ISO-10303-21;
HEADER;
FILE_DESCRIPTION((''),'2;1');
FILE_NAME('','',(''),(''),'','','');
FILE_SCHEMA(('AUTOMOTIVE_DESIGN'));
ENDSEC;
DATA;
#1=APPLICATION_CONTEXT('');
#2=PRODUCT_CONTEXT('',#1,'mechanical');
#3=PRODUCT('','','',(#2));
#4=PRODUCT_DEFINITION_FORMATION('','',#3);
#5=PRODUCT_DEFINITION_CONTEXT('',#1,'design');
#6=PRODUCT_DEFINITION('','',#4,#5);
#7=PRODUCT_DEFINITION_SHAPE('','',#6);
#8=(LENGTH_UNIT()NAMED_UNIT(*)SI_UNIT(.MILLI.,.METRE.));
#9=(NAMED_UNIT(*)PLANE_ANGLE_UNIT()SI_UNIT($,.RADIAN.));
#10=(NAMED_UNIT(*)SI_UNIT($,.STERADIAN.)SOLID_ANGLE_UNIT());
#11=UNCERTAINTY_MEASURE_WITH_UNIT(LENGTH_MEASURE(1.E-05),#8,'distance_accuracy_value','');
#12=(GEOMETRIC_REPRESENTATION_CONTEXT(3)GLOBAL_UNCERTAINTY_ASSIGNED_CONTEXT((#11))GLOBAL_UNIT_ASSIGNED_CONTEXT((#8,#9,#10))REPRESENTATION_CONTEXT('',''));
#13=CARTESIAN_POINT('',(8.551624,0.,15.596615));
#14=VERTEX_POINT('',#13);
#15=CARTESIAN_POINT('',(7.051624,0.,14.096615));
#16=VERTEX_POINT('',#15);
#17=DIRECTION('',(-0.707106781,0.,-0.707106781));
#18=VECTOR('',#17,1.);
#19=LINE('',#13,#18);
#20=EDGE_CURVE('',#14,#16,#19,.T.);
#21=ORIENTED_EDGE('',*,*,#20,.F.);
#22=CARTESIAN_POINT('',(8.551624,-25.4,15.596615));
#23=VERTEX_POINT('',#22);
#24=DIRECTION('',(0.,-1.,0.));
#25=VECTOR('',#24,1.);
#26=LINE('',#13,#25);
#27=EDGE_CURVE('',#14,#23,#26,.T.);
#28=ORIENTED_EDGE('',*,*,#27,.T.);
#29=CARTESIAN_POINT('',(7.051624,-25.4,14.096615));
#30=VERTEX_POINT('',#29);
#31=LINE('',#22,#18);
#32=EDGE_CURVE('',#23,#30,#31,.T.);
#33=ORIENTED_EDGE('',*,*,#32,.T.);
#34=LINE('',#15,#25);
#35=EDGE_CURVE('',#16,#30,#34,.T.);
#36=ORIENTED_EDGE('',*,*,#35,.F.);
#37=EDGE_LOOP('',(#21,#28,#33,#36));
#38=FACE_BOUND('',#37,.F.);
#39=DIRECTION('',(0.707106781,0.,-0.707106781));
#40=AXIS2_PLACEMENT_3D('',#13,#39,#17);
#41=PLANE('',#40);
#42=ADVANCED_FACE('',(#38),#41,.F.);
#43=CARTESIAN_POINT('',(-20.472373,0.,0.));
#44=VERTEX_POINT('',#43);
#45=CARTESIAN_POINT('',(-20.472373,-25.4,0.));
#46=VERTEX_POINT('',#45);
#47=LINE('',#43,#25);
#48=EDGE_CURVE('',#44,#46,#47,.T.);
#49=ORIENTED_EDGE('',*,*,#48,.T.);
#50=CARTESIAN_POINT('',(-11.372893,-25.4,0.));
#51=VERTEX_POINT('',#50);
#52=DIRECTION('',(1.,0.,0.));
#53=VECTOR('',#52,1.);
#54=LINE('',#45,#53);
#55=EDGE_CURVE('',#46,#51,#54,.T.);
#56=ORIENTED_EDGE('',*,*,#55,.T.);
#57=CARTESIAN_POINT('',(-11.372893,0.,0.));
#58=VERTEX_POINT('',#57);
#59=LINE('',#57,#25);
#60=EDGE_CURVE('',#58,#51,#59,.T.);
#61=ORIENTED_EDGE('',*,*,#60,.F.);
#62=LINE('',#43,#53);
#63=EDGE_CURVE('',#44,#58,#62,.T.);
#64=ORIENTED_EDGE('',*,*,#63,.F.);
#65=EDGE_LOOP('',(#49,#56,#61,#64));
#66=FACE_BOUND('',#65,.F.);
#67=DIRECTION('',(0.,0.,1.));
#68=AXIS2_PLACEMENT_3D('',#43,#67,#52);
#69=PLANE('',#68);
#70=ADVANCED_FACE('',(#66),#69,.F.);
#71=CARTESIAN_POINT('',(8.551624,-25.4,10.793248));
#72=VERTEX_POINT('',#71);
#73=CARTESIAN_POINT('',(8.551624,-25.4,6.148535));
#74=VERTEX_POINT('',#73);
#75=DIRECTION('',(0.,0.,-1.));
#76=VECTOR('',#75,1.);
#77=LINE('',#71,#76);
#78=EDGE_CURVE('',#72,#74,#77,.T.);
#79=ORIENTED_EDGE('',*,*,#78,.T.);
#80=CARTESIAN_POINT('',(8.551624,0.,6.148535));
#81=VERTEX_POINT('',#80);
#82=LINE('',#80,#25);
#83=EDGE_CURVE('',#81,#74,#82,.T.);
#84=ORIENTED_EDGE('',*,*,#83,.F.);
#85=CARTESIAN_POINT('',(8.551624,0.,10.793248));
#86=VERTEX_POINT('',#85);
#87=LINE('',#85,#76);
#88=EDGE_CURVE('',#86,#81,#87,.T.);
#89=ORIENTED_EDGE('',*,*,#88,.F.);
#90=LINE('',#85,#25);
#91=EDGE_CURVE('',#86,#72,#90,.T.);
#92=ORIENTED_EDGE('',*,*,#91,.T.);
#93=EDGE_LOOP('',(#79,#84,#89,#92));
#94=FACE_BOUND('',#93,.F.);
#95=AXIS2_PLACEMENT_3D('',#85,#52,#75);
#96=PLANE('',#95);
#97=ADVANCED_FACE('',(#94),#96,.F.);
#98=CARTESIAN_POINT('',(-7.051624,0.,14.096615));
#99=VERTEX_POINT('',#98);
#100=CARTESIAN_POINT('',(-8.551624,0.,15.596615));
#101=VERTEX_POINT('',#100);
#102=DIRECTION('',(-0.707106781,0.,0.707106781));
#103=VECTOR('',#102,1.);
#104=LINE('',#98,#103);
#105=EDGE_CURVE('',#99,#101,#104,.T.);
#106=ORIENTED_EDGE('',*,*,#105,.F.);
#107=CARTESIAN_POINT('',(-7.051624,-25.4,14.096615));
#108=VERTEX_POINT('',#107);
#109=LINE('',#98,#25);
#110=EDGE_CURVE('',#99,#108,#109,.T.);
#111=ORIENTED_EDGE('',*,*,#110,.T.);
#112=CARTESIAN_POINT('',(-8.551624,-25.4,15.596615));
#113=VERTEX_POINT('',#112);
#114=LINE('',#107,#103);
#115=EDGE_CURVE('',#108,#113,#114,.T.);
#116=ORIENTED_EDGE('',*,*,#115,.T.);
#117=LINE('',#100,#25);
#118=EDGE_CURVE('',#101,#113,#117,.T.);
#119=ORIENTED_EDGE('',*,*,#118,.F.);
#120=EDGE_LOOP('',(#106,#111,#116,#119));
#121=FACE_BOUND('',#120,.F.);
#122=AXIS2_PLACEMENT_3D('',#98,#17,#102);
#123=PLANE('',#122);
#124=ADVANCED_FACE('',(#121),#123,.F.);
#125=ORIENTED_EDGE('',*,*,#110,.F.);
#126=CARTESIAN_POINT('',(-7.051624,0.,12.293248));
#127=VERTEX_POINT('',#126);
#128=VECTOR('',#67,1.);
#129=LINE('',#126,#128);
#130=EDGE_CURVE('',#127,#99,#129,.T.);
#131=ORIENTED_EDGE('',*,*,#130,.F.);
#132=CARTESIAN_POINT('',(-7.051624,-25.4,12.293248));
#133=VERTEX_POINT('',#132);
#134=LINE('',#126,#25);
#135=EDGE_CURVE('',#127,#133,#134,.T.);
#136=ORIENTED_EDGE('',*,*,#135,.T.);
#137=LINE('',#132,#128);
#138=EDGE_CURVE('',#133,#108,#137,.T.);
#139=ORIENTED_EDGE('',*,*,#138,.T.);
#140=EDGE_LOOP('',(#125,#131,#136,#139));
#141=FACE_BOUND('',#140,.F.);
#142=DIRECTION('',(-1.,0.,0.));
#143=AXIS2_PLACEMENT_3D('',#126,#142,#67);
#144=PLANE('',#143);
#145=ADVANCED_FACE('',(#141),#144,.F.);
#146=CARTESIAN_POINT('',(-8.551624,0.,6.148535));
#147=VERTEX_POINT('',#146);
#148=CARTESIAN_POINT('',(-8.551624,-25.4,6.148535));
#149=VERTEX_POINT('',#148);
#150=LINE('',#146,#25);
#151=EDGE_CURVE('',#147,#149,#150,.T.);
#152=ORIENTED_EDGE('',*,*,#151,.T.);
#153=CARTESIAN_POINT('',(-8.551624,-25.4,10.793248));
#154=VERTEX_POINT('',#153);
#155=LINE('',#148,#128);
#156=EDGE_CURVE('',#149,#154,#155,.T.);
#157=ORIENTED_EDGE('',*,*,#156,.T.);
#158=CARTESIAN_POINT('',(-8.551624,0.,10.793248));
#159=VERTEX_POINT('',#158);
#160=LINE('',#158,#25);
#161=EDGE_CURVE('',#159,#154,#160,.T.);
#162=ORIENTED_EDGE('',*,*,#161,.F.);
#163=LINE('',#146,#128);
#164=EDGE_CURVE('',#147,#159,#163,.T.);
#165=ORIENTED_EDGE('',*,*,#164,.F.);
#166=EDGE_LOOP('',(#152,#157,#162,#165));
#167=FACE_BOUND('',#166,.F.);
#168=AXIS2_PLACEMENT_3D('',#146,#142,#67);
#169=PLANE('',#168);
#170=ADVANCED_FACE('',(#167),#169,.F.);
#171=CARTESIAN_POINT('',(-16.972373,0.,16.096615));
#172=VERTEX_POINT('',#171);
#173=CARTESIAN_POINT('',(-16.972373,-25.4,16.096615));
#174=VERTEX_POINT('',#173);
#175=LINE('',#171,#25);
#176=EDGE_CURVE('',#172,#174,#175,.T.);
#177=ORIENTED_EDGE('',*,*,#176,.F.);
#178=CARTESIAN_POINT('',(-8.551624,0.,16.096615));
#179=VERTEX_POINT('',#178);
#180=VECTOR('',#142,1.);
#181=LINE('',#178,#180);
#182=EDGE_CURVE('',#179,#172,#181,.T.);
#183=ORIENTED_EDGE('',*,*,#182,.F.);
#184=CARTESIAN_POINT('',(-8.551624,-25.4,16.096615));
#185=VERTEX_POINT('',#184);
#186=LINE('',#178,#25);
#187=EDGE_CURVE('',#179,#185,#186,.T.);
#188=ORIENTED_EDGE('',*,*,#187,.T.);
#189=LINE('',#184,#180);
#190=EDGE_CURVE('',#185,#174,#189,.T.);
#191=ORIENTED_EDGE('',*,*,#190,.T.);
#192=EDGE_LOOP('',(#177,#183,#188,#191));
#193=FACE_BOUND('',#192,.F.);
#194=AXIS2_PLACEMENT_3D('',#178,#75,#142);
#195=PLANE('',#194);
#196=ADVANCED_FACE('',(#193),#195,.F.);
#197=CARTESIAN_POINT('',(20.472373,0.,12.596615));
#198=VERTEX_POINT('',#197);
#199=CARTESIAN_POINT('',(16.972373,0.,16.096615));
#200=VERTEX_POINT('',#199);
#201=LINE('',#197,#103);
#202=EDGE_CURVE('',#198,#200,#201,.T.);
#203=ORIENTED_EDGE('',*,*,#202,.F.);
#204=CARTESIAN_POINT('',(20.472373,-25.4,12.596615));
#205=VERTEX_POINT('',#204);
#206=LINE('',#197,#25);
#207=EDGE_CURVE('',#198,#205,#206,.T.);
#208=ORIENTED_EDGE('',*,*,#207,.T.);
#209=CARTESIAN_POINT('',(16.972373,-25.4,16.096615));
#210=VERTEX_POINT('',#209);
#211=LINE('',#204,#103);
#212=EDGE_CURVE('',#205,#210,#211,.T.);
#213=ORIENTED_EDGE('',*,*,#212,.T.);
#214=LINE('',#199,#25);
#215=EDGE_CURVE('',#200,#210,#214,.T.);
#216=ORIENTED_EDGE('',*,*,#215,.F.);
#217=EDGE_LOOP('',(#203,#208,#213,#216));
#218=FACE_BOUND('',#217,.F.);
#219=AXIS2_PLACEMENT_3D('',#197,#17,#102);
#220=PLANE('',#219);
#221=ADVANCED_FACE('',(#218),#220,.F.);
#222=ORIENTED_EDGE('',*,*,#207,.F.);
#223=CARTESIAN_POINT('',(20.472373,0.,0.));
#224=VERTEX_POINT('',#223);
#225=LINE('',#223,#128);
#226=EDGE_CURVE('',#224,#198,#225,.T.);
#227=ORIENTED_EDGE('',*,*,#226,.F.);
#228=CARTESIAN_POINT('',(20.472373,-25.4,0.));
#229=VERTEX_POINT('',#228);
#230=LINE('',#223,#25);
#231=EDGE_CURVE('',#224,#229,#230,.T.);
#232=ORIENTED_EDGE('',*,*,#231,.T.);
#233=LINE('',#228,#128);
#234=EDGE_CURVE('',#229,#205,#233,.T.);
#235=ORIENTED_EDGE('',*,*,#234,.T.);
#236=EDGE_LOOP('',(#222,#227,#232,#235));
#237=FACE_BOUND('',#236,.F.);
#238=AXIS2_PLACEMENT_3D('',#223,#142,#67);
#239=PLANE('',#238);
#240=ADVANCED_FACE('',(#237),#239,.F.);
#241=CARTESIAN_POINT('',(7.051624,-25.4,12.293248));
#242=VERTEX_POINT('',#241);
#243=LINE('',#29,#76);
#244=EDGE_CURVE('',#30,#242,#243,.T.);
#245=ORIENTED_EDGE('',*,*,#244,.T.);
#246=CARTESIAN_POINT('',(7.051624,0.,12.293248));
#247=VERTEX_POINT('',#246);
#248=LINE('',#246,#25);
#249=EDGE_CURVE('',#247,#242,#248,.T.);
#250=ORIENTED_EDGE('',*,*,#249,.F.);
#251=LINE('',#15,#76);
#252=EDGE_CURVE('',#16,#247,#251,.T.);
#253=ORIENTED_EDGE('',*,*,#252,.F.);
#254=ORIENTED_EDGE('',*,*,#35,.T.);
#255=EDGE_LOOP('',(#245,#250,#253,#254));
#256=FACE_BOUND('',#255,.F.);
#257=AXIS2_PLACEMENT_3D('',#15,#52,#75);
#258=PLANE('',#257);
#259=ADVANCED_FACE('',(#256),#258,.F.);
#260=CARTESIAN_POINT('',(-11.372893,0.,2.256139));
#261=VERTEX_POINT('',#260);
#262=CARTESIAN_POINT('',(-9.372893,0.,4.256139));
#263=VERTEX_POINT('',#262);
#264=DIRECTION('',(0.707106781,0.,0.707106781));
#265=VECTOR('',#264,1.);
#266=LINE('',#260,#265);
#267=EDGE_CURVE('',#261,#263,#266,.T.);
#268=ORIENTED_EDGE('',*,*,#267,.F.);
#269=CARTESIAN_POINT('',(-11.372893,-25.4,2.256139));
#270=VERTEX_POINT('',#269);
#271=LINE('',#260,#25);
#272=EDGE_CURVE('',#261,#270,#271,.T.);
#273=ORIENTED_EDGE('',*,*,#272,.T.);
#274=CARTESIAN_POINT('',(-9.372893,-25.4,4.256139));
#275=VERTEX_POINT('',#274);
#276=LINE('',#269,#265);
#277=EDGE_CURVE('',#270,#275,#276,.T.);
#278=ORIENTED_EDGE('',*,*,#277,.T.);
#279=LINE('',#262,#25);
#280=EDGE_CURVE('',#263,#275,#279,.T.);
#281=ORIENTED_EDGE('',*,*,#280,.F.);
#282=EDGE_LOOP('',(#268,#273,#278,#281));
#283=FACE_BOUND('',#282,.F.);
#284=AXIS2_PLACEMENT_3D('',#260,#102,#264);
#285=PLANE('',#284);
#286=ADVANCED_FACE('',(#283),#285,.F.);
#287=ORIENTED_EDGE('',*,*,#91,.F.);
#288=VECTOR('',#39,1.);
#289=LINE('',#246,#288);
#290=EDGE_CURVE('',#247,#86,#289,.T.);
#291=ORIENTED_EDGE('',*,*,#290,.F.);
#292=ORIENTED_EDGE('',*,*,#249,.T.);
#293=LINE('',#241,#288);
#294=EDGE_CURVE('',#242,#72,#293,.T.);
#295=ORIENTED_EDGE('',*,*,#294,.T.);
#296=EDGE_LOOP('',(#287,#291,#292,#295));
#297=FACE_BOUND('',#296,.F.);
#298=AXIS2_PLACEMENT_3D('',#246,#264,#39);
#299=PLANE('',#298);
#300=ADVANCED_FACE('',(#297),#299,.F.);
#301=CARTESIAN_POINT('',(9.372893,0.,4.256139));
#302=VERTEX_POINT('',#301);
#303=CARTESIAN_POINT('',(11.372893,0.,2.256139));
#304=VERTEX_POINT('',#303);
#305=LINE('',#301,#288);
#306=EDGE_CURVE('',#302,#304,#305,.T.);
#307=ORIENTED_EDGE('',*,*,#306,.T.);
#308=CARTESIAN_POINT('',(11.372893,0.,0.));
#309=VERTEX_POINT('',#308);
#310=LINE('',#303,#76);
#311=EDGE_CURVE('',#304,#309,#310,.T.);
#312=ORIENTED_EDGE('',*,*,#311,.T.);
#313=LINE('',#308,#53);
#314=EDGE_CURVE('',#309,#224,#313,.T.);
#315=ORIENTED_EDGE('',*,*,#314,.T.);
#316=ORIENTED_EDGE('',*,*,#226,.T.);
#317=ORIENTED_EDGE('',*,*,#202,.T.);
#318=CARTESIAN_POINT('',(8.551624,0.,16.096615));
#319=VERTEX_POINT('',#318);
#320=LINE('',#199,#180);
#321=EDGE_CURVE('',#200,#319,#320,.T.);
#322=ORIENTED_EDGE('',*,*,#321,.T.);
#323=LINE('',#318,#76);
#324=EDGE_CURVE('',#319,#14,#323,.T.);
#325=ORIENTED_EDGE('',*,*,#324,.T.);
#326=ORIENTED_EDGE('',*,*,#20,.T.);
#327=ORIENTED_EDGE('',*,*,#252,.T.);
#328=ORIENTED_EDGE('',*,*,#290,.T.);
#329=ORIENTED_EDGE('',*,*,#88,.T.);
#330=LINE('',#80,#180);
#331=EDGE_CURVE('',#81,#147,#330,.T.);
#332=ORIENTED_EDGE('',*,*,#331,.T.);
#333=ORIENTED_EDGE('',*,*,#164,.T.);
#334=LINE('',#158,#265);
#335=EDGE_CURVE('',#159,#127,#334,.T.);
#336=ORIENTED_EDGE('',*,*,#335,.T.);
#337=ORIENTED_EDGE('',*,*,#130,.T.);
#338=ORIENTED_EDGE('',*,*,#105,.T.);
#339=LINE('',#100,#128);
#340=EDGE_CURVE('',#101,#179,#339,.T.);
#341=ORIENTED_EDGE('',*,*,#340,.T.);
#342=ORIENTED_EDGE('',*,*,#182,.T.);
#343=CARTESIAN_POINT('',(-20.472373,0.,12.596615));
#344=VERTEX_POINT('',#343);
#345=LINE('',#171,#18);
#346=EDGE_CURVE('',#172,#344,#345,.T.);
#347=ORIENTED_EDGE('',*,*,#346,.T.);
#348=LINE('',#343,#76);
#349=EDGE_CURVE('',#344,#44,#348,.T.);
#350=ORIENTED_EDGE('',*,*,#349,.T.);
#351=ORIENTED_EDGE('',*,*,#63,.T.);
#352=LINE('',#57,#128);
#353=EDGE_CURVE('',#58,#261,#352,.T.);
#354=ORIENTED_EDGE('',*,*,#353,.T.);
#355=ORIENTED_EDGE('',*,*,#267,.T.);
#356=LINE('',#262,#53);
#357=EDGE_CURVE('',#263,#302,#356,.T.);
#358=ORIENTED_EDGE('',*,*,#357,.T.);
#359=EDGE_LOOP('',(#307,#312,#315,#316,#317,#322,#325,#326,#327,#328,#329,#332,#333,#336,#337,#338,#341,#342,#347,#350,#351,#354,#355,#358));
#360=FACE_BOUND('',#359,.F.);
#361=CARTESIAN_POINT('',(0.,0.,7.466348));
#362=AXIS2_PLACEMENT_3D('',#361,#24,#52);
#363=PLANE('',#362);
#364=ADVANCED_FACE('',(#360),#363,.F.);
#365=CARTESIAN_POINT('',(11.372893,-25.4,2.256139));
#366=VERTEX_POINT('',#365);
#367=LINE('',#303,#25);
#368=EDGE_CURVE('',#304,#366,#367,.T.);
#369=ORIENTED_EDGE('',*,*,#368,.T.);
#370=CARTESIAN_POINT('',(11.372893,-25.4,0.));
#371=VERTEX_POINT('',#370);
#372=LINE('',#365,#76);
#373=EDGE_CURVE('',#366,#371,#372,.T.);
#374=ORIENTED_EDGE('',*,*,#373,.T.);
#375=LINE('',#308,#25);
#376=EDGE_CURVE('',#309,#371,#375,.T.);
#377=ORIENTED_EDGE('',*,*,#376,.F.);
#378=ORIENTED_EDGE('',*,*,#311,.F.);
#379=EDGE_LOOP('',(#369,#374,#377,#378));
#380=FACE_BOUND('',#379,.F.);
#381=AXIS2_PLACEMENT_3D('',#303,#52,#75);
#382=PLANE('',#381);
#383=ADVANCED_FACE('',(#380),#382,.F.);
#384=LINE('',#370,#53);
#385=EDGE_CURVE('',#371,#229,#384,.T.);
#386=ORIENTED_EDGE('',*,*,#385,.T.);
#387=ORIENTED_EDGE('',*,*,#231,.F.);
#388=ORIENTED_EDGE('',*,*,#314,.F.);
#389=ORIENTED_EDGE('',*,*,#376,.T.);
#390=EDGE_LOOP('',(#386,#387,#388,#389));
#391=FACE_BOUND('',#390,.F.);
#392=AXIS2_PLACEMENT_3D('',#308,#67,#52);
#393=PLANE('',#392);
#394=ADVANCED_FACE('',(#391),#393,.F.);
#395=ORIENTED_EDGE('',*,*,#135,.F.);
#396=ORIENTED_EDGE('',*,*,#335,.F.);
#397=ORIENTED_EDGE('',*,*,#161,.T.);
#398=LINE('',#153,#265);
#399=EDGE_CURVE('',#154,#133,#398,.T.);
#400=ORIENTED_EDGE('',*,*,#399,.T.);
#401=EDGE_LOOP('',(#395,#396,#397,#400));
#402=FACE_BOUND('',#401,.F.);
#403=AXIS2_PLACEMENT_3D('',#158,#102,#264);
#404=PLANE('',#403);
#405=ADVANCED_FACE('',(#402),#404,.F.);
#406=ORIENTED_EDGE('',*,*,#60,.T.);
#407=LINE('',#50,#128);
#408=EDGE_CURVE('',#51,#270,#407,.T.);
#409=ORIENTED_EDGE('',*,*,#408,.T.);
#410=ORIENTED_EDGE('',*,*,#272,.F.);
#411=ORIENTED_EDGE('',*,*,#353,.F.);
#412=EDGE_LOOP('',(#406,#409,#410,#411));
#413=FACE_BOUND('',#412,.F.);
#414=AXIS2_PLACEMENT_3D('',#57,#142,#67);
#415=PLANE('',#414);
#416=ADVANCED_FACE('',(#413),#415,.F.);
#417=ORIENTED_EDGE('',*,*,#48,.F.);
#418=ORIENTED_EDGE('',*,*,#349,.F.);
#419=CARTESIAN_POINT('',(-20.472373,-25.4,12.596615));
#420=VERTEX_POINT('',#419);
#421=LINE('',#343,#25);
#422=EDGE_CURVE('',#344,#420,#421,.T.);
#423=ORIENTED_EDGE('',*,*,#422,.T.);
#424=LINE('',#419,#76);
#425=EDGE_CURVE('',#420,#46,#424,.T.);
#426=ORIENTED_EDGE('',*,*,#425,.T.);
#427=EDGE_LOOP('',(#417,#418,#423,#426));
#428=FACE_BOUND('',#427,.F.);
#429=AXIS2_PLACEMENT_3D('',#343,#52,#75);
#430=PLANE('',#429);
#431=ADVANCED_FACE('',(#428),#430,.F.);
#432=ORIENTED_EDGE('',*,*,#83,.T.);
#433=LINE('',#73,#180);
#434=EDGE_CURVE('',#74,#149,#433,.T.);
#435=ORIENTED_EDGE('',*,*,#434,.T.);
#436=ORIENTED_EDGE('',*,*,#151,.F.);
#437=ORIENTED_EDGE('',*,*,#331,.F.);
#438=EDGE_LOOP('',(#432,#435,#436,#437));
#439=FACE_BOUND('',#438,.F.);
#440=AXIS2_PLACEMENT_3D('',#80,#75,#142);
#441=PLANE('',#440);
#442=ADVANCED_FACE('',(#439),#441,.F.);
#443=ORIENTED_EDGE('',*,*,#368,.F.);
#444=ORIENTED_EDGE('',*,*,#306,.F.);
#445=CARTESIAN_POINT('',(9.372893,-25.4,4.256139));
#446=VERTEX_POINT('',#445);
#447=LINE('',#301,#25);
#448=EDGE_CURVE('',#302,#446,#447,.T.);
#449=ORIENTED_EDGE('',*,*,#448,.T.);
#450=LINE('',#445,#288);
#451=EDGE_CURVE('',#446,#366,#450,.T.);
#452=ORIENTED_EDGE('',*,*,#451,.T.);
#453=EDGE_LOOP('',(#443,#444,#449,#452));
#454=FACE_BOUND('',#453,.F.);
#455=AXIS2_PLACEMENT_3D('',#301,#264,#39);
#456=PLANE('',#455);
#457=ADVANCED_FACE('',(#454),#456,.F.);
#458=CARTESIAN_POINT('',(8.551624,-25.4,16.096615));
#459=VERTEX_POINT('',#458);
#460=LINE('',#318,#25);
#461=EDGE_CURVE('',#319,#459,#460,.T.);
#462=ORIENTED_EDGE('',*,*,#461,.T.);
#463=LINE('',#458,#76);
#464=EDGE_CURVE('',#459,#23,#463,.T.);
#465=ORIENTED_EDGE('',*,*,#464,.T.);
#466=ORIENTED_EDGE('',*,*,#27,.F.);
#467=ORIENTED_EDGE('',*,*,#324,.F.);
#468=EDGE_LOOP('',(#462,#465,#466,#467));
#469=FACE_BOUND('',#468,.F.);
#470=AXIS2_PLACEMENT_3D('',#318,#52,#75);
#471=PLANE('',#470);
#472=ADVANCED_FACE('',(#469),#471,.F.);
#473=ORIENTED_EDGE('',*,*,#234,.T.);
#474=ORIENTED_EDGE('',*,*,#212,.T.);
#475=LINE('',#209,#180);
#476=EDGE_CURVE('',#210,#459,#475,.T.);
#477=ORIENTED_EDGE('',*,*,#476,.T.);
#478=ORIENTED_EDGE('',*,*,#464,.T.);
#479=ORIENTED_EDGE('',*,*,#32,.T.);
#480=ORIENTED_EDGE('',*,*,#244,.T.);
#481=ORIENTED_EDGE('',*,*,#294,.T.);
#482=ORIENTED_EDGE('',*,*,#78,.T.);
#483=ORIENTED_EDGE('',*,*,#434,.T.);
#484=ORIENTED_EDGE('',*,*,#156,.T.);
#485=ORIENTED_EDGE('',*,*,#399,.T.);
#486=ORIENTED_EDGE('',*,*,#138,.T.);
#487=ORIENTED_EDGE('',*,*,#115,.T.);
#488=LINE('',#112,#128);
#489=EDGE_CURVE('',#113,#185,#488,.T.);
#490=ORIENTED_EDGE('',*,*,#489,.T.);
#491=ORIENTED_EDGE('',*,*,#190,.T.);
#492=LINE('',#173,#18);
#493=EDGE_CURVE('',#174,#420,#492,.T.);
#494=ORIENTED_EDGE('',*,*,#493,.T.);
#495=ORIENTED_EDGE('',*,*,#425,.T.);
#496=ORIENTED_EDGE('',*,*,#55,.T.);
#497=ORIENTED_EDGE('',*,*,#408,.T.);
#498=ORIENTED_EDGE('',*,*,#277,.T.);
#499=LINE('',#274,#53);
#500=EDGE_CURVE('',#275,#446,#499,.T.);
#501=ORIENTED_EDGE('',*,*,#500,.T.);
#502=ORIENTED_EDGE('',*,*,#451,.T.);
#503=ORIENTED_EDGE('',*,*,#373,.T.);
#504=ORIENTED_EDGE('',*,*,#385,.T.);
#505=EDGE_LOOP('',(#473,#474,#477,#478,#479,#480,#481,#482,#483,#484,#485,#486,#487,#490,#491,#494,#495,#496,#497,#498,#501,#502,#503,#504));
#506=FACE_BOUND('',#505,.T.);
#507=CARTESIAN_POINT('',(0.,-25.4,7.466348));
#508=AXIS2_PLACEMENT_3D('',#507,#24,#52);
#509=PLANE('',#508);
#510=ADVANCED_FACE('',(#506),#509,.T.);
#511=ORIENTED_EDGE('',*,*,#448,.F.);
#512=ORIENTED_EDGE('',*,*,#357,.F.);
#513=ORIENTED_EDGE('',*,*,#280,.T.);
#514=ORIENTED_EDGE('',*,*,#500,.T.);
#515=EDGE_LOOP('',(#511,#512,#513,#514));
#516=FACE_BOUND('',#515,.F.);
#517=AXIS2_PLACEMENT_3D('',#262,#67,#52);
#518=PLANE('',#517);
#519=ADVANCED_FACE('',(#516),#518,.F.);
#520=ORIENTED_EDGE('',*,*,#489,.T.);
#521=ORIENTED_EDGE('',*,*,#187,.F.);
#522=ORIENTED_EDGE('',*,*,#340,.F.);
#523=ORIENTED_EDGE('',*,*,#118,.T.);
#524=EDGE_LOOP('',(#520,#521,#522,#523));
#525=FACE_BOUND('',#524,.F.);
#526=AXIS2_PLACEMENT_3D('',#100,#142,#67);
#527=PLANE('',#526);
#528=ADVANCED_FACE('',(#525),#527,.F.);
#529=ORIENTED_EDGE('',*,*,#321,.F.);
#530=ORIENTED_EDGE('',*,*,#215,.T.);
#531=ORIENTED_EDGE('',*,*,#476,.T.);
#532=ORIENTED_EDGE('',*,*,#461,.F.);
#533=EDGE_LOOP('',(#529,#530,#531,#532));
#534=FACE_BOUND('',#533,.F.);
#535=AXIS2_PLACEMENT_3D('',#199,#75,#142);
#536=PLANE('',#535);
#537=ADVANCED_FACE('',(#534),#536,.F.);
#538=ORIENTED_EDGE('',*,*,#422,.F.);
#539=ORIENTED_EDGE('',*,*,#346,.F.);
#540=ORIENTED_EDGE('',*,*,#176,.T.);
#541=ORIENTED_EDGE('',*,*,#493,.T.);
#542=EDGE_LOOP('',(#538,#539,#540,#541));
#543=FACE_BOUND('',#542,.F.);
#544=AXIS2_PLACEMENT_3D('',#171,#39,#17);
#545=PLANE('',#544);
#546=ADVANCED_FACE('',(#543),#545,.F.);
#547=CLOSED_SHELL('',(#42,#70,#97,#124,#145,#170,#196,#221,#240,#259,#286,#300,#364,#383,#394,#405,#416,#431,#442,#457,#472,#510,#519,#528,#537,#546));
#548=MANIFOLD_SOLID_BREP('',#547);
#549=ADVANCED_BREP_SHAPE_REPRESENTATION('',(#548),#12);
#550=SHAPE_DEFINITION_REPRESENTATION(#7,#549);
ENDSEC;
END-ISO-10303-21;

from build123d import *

# Parameters (mm, degrees)
F1_DEPTH = 25.4


with BuildPart() as f1:
    # F0 (on Front) → F1 (new body)
    with BuildSketch(Plane.XZ):
        Polygon((11.372893, 2.256139), (11.372893, 0), (20.472373, 0), (20.472373, 12.596615), (16.972373, 16.096615), (8.551624, 16.096615), (8.551624, 15.596615), (7.051624, 14.096615), (7.051624, 12.293248), (8.551624, 10.793248), (8.551624, 6.148535), (-8.551624, 6.148535), (-8.551624, 10.793248), (-7.051624, 12.293248), (-7.051624, 14.096615), (-8.551624, 15.596615), (-8.551624, 16.096615), (-16.972373, 16.096615), (-20.472373, 12.596615), (-20.472373, 0), (-11.372893, 0), (-11.372893, 2.256139), (-9.372893, 4.256139), (9.372893, 4.256139), align=None)
    extrude(amount=F1_DEPTH)


solid = f1.part
